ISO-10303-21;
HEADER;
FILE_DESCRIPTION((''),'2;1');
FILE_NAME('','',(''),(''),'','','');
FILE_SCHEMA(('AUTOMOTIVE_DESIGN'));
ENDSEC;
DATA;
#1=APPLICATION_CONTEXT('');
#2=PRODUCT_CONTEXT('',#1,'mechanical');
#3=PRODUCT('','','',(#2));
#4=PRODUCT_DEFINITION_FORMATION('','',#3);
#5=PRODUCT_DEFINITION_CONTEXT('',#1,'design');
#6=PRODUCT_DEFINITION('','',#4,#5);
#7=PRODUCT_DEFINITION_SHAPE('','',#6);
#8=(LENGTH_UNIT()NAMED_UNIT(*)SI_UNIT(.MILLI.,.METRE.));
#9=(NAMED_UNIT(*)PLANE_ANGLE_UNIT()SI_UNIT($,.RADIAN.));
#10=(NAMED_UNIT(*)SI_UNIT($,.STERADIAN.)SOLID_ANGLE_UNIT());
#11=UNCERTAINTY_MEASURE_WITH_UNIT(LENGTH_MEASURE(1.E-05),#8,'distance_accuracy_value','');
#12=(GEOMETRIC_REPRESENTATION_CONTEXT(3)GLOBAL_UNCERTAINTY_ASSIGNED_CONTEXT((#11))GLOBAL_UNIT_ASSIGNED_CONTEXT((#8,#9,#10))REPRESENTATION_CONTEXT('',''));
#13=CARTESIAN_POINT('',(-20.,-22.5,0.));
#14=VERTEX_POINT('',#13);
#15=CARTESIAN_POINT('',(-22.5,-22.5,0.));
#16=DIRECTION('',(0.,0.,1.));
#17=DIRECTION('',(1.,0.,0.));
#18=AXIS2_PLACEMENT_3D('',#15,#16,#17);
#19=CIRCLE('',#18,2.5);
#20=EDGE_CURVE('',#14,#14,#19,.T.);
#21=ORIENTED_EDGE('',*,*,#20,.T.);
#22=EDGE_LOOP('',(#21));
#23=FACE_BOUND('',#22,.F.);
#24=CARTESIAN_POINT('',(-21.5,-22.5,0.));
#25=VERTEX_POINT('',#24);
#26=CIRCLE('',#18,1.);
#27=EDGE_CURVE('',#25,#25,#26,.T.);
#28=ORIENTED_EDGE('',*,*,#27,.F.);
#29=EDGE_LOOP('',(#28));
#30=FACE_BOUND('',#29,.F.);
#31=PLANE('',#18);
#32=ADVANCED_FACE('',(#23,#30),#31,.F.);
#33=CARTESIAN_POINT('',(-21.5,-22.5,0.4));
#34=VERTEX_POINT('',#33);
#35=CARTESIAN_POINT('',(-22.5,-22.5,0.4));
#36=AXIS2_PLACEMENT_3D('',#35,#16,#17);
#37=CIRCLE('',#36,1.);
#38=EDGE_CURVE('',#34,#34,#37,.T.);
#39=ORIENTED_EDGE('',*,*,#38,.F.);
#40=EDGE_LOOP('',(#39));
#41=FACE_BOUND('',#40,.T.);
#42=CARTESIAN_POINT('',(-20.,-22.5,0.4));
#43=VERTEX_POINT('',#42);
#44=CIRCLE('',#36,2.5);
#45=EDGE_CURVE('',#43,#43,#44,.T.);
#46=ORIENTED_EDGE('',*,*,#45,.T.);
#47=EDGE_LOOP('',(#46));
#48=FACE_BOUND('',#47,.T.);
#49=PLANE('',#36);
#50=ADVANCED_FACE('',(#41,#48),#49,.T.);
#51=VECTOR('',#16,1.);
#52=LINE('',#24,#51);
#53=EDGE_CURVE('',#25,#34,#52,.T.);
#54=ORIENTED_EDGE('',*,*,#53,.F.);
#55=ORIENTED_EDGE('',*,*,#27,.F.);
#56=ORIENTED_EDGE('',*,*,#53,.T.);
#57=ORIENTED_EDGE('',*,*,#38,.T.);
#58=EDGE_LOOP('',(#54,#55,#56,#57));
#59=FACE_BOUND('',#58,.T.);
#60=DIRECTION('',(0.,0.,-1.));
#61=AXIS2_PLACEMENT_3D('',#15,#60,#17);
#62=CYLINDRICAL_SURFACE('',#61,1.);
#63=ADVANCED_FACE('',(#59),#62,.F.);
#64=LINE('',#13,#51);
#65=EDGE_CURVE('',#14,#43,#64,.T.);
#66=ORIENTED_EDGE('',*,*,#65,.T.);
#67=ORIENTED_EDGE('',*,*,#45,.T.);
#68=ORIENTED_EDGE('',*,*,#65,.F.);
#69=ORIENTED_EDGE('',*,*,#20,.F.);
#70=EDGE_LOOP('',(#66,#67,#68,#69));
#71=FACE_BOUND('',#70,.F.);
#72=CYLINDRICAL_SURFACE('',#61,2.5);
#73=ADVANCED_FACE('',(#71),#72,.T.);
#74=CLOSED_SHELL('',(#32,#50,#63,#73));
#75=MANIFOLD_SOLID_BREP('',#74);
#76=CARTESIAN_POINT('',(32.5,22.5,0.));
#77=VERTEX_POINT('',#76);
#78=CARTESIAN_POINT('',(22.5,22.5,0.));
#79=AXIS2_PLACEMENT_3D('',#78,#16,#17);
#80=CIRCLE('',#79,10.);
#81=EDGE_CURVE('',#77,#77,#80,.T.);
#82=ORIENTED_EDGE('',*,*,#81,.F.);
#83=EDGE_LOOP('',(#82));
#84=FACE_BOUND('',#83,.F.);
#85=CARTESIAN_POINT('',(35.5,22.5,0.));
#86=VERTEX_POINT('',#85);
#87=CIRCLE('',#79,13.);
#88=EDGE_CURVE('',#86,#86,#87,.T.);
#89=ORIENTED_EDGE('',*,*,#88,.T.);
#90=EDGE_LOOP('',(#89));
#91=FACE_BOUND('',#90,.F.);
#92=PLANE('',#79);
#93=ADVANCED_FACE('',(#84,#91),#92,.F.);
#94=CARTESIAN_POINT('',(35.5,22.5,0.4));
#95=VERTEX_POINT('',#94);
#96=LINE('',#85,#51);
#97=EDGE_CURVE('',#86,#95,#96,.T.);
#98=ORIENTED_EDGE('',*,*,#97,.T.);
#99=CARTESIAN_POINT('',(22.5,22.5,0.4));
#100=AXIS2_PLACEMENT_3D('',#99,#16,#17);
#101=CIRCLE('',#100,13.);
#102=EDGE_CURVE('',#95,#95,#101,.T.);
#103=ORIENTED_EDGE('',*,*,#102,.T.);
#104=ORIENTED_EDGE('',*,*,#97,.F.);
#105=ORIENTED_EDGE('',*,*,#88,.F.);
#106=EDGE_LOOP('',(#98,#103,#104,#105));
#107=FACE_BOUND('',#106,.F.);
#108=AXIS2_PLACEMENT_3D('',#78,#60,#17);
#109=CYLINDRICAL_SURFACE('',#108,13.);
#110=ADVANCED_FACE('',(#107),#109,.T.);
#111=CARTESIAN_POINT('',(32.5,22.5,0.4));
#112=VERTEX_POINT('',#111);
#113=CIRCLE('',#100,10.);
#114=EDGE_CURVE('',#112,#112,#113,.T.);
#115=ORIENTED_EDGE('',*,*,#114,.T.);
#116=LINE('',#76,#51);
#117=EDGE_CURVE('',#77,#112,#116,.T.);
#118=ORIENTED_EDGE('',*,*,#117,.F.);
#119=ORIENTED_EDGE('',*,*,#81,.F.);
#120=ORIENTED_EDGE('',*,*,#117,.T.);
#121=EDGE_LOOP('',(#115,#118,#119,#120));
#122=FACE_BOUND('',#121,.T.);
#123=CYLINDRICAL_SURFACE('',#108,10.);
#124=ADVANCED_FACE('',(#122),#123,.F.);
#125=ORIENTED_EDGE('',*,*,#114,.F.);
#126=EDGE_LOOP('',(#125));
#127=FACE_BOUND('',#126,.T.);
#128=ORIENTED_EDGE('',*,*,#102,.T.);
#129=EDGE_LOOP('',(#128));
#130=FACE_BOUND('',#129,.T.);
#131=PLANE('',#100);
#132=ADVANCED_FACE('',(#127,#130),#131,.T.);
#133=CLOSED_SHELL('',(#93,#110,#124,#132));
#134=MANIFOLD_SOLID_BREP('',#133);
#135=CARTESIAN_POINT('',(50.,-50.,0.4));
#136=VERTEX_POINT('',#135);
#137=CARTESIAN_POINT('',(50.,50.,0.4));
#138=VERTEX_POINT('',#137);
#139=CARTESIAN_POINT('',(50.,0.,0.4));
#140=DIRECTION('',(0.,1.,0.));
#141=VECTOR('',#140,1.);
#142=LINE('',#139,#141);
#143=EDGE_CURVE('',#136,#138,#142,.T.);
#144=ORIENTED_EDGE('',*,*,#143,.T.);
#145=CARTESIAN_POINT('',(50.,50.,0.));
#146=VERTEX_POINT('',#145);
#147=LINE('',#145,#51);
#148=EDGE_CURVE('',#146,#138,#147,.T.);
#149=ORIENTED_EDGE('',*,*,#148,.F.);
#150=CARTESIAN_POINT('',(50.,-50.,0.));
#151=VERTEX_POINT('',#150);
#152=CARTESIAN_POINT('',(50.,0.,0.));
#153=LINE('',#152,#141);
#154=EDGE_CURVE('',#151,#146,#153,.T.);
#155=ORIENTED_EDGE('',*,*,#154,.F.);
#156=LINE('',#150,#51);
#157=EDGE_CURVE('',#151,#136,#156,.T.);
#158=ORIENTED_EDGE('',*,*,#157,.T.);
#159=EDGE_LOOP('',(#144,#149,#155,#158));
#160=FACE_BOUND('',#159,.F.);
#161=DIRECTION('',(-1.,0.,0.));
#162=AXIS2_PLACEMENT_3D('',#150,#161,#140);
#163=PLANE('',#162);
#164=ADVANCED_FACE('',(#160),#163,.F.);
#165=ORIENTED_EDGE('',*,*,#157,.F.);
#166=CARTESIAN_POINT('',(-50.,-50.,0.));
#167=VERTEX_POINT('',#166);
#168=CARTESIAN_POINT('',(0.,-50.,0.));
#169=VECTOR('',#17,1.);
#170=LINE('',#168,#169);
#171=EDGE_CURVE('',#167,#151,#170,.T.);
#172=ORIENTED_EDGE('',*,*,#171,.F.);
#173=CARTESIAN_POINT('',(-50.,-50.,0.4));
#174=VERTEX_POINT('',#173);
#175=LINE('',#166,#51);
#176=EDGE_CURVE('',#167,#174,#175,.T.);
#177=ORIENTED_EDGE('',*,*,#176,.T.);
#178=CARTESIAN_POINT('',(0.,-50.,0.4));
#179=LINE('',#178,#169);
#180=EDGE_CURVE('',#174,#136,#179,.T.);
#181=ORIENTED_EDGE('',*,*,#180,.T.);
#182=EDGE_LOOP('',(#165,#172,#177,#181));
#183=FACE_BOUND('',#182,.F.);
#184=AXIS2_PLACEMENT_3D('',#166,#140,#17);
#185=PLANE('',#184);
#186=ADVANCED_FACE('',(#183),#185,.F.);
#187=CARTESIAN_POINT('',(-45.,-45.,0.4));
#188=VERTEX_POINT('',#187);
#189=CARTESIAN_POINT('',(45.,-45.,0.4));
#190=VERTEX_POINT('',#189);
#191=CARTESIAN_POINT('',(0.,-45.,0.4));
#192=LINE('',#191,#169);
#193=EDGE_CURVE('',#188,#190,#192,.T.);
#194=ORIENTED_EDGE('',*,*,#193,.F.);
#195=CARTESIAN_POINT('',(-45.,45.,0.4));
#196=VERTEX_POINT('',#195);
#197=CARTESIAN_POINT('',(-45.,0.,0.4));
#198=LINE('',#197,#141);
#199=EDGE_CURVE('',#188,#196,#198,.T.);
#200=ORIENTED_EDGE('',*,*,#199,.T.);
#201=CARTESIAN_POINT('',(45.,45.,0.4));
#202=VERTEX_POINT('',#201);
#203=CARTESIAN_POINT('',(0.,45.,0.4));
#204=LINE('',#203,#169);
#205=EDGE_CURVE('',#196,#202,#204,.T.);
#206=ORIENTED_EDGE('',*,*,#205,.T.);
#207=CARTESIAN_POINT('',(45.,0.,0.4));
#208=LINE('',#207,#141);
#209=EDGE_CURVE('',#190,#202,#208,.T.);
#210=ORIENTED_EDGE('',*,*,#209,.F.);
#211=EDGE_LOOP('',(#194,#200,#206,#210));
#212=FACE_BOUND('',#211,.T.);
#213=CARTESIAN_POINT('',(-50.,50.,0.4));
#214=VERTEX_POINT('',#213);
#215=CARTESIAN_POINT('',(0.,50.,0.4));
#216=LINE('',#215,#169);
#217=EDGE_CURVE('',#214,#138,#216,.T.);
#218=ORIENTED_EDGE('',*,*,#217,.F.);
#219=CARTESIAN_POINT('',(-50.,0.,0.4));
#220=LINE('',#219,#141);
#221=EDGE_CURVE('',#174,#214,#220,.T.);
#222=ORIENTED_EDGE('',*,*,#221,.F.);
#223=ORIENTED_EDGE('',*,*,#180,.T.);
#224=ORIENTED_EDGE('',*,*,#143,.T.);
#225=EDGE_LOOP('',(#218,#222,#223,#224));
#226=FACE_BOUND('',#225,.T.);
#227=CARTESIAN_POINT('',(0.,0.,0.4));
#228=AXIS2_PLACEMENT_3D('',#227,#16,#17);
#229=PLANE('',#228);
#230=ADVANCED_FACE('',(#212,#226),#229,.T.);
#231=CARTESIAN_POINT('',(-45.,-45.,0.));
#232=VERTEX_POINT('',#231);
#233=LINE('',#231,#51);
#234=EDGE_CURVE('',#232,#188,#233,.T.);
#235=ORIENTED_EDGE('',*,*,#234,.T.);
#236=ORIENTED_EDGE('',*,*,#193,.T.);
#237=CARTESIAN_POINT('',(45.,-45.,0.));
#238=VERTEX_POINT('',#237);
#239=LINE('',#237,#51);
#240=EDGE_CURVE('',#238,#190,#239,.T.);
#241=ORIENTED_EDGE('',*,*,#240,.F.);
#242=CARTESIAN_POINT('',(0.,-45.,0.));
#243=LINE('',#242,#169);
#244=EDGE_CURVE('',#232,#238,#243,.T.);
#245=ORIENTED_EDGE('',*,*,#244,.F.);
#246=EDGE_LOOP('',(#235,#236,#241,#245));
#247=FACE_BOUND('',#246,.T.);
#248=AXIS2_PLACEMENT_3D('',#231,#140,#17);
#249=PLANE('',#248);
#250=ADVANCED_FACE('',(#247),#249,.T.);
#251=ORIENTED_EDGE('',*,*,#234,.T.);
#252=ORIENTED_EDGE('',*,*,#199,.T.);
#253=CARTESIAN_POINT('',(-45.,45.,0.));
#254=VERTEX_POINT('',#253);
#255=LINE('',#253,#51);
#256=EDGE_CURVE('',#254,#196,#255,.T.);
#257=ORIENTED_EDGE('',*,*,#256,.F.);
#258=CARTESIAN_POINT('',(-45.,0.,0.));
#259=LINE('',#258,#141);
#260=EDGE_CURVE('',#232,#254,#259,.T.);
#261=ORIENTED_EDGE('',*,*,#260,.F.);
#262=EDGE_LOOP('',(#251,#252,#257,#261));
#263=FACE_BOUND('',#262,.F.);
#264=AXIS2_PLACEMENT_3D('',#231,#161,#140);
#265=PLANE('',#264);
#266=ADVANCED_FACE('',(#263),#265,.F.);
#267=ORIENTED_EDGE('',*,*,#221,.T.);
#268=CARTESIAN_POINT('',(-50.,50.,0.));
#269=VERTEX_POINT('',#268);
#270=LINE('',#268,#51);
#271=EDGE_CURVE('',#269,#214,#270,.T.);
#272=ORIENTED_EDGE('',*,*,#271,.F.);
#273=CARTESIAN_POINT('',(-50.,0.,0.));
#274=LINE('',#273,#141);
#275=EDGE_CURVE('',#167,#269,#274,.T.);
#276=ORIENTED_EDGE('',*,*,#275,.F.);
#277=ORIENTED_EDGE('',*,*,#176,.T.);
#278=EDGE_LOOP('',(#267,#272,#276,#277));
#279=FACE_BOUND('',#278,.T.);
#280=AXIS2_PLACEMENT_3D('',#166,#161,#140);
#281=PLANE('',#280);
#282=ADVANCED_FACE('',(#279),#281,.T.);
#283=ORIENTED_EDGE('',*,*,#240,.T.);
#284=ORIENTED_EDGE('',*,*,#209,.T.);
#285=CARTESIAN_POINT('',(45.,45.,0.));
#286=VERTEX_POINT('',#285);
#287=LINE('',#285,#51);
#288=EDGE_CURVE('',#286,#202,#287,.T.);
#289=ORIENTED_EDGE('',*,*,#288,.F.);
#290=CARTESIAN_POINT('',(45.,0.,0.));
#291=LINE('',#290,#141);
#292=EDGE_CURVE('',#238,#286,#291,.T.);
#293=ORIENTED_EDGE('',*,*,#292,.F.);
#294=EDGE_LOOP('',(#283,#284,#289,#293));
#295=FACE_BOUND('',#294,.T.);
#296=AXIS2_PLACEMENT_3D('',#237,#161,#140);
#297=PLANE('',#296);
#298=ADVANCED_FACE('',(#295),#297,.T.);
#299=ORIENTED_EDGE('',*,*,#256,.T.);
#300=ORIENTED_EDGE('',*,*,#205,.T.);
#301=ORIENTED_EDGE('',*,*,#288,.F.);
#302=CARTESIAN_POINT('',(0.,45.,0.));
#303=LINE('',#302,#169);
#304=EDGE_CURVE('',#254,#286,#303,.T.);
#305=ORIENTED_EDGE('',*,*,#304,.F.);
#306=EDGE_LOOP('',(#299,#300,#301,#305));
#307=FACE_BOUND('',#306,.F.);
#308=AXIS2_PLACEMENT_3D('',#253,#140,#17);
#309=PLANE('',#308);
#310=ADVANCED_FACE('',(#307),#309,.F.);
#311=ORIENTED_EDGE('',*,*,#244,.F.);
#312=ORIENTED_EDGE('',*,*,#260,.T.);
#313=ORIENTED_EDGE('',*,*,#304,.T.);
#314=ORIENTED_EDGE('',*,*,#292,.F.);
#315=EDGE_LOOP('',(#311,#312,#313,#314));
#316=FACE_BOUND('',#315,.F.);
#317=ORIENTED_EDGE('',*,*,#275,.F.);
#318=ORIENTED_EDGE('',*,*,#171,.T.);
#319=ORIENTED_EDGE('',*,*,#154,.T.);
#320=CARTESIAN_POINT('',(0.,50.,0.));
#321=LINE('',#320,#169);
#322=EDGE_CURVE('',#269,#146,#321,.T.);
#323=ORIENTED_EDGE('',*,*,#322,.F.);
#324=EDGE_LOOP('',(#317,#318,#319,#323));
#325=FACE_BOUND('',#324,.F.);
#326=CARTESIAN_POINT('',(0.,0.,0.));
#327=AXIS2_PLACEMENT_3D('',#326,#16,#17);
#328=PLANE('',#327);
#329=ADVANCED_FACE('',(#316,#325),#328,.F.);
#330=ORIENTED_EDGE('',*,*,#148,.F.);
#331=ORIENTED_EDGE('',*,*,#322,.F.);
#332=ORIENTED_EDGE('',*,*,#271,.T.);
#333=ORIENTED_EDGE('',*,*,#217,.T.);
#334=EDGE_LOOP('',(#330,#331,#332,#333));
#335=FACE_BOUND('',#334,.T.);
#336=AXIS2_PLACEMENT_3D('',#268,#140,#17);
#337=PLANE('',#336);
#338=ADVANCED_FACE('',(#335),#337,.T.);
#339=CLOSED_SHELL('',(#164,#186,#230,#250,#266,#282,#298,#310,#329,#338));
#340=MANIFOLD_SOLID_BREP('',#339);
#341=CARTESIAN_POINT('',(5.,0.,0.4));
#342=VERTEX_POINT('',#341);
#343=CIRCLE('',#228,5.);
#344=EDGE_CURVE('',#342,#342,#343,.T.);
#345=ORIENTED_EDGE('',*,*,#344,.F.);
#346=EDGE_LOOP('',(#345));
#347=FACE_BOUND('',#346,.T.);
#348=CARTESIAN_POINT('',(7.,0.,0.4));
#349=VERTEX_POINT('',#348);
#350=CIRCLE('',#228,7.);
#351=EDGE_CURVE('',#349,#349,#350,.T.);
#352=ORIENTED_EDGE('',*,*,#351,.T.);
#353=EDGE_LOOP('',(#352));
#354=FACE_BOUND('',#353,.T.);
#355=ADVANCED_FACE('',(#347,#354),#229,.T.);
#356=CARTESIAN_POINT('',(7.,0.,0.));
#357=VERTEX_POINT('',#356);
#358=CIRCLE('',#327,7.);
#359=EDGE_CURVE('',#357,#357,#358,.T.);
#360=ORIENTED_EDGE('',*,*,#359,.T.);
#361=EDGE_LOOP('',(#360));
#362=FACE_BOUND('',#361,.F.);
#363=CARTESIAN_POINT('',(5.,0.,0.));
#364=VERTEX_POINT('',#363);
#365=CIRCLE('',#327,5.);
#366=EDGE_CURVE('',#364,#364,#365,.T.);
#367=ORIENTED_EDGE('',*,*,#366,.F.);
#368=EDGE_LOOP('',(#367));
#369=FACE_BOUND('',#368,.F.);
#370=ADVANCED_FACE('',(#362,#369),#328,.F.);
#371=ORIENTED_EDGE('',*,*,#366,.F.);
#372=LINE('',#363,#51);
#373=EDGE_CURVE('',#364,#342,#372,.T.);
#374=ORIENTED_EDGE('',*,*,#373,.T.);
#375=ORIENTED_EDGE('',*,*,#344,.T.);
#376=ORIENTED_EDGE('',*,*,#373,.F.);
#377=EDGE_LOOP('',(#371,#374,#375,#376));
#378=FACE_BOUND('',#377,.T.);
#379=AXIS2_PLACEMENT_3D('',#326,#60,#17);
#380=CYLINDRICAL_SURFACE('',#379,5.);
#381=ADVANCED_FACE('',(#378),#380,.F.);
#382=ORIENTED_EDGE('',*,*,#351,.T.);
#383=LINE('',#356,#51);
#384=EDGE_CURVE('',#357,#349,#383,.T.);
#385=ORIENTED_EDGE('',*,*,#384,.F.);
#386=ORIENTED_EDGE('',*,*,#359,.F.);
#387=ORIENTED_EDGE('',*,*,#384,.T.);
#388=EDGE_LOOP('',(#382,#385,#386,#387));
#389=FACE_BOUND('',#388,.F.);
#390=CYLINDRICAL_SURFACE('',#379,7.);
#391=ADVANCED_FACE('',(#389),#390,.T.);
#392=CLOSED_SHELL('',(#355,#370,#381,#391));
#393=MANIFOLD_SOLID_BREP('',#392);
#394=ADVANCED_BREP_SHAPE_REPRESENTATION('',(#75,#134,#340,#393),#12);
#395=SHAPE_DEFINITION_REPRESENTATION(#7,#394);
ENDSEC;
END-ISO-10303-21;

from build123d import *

# Parameters (mm, degrees)
F0_W     = 100
F0_H     = 100
F0_W_2   = 90
F0_H_2   = 90
F0_R     = 2.5
F0_R_2   = 1
F0_R_3   = 7
F0_R_4   = 5
F0_R_5   = 13
F0_R_6   = 10
F1_DEPTH = 0.4


with BuildPart() as f1:
    # F0 (on Top) → F1 (new body)
    with BuildSketch(Plane.XY):
        Rectangle(F0_W, F0_H)
        Rectangle(F0_W_2, F0_H_2, mode=Mode.SUBTRACT)
        with Locations((-22.5, -22.5)):
            Circle(F0_R)
        with Locations((-22.5, -22.5)):
            Circle(F0_R_2, mode=Mode.SUBTRACT)
        Circle(F0_R_3)
        Circle(F0_R_4, mode=Mode.SUBTRACT)
        with Locations((22.5, 22.5)):
            Circle(F0_R_5)
        with Locations((22.5, 22.5)):
            Circle(F0_R_6, mode=Mode.SUBTRACT)
    extrude(amount=F1_DEPTH)


solid = f1.part
